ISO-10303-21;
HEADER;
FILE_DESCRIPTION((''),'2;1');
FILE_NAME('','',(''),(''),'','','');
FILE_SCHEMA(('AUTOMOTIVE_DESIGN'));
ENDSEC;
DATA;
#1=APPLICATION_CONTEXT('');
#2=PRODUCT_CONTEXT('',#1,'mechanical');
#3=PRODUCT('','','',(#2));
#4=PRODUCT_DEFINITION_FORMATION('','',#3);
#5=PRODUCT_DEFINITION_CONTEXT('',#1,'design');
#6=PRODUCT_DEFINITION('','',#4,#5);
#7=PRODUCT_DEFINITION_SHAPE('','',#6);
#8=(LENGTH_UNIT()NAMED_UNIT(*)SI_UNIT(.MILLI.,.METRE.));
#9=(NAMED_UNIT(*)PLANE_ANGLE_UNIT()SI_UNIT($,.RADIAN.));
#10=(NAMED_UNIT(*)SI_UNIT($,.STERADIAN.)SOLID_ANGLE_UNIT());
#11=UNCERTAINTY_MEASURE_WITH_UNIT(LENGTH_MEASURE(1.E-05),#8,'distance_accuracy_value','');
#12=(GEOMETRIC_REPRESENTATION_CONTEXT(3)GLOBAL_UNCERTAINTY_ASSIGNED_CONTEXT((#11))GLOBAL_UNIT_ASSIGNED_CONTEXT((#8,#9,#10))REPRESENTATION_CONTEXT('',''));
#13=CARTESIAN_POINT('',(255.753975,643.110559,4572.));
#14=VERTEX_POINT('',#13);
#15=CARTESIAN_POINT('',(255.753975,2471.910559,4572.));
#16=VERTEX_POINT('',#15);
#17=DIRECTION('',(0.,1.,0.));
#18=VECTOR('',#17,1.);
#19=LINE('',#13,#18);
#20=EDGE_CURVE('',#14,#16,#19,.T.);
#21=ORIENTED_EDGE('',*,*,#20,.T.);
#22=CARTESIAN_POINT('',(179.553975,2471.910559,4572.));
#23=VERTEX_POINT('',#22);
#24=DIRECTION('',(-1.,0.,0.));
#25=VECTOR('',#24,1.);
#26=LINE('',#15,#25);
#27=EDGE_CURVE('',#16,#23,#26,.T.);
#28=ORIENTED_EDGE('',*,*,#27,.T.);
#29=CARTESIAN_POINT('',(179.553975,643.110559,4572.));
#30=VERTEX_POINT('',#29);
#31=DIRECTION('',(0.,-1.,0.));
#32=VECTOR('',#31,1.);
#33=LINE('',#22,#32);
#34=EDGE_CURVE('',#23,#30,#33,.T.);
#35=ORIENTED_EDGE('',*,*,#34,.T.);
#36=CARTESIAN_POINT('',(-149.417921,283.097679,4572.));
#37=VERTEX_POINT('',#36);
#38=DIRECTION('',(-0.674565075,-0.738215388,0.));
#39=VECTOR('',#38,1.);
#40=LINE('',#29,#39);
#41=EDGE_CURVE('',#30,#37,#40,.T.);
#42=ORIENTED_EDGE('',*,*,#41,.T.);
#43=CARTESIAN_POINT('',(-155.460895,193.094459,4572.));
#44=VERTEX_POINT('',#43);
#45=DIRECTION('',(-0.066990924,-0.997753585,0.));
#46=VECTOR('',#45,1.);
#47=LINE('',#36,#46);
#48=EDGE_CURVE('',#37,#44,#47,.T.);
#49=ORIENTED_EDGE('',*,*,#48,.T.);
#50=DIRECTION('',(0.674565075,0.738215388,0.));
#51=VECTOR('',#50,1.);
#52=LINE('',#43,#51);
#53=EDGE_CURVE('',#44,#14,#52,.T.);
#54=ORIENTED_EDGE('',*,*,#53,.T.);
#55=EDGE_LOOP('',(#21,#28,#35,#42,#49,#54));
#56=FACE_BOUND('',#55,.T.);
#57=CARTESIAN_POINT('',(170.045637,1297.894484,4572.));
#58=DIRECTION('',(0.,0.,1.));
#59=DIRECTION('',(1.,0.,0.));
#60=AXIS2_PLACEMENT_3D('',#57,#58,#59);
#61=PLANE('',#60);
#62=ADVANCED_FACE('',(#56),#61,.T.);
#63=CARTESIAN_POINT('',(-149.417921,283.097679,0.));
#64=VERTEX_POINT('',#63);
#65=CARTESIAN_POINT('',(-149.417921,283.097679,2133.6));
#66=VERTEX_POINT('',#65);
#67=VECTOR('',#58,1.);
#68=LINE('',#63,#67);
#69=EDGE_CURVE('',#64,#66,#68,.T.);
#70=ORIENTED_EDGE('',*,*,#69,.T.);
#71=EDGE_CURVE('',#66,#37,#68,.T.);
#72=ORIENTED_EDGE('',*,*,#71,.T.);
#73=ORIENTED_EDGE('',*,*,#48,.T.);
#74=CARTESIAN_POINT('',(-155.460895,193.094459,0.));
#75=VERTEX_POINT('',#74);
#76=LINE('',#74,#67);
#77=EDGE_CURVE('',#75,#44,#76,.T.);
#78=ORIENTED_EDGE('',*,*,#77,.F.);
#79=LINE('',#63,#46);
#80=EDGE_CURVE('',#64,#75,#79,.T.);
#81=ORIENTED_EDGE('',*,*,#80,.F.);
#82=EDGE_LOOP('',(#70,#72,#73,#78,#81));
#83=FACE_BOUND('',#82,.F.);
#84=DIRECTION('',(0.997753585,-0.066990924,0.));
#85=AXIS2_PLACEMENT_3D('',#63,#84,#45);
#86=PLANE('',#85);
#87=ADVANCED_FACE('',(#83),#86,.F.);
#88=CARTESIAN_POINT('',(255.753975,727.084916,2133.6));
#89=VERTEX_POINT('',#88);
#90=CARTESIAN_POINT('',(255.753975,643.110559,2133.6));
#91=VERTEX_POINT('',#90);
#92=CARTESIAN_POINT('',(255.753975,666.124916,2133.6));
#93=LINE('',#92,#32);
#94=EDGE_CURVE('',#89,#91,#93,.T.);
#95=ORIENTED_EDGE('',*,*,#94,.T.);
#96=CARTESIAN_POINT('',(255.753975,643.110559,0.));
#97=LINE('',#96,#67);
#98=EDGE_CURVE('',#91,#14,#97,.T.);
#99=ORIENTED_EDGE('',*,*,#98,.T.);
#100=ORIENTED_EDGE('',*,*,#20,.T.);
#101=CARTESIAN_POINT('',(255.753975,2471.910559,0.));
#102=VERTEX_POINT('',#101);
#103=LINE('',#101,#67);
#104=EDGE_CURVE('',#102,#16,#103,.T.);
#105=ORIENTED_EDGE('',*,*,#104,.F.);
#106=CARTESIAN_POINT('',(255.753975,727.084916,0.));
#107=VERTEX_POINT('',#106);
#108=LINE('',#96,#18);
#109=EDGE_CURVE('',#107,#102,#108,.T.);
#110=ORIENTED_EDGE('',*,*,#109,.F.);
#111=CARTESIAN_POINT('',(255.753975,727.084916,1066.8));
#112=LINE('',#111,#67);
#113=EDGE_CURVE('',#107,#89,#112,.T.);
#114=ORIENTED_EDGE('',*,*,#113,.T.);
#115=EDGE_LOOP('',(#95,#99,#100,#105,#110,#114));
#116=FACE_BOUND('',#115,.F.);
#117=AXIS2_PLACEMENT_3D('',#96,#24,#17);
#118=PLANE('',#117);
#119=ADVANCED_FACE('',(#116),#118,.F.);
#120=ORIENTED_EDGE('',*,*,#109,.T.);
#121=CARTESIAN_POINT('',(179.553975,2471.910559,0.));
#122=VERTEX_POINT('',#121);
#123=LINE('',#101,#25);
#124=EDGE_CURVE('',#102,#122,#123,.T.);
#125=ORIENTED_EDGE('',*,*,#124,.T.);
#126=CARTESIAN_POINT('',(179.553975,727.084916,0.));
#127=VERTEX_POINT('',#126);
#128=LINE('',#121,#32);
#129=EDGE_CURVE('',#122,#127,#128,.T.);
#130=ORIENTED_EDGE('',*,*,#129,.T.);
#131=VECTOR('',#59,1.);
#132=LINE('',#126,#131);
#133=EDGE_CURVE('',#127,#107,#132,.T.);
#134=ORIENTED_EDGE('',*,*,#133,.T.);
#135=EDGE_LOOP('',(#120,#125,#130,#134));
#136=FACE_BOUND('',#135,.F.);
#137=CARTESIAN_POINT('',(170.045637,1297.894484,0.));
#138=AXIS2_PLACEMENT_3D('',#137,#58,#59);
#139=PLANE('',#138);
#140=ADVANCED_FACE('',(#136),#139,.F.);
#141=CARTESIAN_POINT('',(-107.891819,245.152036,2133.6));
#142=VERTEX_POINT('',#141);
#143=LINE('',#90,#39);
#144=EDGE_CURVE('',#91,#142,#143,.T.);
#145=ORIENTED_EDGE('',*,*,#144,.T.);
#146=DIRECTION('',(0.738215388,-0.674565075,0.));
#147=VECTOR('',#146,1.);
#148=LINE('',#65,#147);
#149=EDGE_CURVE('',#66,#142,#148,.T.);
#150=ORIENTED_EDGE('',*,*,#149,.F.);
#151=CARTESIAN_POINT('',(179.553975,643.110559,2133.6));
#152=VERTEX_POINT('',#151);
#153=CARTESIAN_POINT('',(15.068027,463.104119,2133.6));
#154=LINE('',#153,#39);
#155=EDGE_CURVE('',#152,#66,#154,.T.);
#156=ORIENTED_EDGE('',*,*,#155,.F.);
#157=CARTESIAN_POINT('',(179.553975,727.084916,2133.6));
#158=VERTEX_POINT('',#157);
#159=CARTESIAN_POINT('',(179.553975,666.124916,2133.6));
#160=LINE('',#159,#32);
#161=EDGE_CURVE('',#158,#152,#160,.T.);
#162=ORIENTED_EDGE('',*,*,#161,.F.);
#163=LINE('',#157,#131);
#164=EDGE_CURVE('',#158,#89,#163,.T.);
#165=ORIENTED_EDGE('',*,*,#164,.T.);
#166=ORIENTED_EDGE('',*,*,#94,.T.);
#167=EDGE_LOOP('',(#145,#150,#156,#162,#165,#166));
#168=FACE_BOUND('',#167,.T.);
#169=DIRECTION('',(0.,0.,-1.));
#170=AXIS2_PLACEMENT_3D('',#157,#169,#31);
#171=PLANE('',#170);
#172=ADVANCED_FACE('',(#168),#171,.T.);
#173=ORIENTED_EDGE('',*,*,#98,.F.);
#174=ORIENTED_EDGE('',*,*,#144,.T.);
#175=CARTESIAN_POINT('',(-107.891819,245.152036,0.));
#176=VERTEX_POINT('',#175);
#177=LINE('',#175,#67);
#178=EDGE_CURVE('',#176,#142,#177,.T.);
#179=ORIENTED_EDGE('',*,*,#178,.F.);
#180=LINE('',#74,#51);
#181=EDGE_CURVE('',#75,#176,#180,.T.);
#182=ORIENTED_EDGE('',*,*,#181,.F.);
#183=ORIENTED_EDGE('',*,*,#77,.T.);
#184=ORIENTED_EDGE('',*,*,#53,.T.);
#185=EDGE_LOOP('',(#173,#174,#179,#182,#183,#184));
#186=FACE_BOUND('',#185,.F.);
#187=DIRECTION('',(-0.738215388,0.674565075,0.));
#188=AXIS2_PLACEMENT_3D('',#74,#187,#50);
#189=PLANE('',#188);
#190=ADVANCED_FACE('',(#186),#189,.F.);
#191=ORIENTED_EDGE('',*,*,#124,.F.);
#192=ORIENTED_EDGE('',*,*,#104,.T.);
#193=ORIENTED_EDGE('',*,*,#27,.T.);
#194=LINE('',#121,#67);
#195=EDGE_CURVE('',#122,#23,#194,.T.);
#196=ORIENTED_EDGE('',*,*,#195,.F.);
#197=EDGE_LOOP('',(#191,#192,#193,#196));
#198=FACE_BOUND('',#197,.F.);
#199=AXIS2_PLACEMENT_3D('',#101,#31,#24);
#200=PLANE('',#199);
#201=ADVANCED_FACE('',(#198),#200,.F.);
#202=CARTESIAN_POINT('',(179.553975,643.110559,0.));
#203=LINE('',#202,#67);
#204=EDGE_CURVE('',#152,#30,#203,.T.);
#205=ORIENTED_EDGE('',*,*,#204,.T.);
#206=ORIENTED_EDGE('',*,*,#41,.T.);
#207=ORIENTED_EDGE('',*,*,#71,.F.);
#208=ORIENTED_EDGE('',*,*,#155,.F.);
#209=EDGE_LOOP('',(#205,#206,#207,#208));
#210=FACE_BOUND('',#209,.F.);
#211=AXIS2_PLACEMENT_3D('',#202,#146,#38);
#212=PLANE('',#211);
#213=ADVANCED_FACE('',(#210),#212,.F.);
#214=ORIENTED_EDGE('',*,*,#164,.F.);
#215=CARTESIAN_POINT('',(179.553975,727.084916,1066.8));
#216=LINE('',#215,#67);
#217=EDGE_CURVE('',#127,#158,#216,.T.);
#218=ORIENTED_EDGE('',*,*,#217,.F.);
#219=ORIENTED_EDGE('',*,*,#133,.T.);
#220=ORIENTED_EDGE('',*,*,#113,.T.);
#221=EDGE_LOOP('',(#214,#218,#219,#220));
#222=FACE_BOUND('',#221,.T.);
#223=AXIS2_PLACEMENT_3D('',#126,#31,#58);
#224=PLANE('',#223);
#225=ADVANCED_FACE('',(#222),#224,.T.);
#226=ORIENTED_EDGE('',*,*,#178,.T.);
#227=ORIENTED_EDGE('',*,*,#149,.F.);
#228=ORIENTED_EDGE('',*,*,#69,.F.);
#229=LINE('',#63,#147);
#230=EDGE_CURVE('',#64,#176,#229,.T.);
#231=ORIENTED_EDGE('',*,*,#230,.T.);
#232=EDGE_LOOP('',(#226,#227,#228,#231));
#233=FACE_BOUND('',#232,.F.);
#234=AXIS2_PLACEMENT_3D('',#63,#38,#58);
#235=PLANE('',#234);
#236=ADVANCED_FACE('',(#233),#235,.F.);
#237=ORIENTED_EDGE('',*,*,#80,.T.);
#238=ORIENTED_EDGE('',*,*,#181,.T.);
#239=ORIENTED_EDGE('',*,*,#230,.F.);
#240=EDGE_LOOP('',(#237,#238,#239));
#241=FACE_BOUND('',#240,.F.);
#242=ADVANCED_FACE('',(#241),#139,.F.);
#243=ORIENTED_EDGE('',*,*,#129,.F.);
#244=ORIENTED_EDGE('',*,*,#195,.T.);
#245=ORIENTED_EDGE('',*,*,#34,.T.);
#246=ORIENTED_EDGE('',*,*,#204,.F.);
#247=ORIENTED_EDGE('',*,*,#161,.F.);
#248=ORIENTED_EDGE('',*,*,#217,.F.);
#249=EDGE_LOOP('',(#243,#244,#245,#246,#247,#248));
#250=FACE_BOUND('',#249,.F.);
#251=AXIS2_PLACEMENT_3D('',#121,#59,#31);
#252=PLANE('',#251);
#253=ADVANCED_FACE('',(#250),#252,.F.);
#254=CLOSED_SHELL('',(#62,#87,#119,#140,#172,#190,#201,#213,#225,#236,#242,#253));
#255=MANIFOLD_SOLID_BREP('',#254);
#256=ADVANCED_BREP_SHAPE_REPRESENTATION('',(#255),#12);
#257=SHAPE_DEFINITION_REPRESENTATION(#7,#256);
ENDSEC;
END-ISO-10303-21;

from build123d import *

# Parameters (mm, degrees)
F1_DEPTH = 4572
F2_W     = 487.68
F2_H     = 2133.6
F3_DEPTH = 76.2
F4_W     = 121.92
F4_H     = 2133.6
F5_DEPTH = 76.2


with BuildPart() as f1:
    # F0 (on Top) → F1 (new body)
    with BuildSketch(Plane.XY):
        Polygon((255.7539751807, 643.1105594851), (255.7539751807, 2471.9105594851), (179.5539751807, 2471.9105594851), (179.5539751807, 643.1105594851), (-149.4179206286, 283.0976789272), (-155.460894581, 193.0944587877), align=None)
    extrude(amount=F1_DEPTH)

    # F2 (on face) → F3 (cut)
    with BuildSketch(Plane(origin=(-222.4024566315, 203.2265003333, 0), x_dir=(-0.6745650751, -0.7382153883, 0), z_dir=(-0.7382153883, 0.6745650751, 0))):
        with Locations((-352.0349521259, 1066.8)):
            Rectangle(F2_W, F2_H)
    extrude(amount=-F3_DEPTH, mode=Mode.SUBTRACT)

    # F4 (on face) → F5 (cut)
    with BuildSketch(Plane(origin=(179.5539751807, 0, 0), x_dir=(0, -1, 0), z_dir=(-1, 0, 0))):
        with Locations((-666.1249163915, 1066.8)):
            Rectangle(F4_W, F4_H)
    extrude(amount=-F5_DEPTH, mode=Mode.SUBTRACT)


solid = f1.part
